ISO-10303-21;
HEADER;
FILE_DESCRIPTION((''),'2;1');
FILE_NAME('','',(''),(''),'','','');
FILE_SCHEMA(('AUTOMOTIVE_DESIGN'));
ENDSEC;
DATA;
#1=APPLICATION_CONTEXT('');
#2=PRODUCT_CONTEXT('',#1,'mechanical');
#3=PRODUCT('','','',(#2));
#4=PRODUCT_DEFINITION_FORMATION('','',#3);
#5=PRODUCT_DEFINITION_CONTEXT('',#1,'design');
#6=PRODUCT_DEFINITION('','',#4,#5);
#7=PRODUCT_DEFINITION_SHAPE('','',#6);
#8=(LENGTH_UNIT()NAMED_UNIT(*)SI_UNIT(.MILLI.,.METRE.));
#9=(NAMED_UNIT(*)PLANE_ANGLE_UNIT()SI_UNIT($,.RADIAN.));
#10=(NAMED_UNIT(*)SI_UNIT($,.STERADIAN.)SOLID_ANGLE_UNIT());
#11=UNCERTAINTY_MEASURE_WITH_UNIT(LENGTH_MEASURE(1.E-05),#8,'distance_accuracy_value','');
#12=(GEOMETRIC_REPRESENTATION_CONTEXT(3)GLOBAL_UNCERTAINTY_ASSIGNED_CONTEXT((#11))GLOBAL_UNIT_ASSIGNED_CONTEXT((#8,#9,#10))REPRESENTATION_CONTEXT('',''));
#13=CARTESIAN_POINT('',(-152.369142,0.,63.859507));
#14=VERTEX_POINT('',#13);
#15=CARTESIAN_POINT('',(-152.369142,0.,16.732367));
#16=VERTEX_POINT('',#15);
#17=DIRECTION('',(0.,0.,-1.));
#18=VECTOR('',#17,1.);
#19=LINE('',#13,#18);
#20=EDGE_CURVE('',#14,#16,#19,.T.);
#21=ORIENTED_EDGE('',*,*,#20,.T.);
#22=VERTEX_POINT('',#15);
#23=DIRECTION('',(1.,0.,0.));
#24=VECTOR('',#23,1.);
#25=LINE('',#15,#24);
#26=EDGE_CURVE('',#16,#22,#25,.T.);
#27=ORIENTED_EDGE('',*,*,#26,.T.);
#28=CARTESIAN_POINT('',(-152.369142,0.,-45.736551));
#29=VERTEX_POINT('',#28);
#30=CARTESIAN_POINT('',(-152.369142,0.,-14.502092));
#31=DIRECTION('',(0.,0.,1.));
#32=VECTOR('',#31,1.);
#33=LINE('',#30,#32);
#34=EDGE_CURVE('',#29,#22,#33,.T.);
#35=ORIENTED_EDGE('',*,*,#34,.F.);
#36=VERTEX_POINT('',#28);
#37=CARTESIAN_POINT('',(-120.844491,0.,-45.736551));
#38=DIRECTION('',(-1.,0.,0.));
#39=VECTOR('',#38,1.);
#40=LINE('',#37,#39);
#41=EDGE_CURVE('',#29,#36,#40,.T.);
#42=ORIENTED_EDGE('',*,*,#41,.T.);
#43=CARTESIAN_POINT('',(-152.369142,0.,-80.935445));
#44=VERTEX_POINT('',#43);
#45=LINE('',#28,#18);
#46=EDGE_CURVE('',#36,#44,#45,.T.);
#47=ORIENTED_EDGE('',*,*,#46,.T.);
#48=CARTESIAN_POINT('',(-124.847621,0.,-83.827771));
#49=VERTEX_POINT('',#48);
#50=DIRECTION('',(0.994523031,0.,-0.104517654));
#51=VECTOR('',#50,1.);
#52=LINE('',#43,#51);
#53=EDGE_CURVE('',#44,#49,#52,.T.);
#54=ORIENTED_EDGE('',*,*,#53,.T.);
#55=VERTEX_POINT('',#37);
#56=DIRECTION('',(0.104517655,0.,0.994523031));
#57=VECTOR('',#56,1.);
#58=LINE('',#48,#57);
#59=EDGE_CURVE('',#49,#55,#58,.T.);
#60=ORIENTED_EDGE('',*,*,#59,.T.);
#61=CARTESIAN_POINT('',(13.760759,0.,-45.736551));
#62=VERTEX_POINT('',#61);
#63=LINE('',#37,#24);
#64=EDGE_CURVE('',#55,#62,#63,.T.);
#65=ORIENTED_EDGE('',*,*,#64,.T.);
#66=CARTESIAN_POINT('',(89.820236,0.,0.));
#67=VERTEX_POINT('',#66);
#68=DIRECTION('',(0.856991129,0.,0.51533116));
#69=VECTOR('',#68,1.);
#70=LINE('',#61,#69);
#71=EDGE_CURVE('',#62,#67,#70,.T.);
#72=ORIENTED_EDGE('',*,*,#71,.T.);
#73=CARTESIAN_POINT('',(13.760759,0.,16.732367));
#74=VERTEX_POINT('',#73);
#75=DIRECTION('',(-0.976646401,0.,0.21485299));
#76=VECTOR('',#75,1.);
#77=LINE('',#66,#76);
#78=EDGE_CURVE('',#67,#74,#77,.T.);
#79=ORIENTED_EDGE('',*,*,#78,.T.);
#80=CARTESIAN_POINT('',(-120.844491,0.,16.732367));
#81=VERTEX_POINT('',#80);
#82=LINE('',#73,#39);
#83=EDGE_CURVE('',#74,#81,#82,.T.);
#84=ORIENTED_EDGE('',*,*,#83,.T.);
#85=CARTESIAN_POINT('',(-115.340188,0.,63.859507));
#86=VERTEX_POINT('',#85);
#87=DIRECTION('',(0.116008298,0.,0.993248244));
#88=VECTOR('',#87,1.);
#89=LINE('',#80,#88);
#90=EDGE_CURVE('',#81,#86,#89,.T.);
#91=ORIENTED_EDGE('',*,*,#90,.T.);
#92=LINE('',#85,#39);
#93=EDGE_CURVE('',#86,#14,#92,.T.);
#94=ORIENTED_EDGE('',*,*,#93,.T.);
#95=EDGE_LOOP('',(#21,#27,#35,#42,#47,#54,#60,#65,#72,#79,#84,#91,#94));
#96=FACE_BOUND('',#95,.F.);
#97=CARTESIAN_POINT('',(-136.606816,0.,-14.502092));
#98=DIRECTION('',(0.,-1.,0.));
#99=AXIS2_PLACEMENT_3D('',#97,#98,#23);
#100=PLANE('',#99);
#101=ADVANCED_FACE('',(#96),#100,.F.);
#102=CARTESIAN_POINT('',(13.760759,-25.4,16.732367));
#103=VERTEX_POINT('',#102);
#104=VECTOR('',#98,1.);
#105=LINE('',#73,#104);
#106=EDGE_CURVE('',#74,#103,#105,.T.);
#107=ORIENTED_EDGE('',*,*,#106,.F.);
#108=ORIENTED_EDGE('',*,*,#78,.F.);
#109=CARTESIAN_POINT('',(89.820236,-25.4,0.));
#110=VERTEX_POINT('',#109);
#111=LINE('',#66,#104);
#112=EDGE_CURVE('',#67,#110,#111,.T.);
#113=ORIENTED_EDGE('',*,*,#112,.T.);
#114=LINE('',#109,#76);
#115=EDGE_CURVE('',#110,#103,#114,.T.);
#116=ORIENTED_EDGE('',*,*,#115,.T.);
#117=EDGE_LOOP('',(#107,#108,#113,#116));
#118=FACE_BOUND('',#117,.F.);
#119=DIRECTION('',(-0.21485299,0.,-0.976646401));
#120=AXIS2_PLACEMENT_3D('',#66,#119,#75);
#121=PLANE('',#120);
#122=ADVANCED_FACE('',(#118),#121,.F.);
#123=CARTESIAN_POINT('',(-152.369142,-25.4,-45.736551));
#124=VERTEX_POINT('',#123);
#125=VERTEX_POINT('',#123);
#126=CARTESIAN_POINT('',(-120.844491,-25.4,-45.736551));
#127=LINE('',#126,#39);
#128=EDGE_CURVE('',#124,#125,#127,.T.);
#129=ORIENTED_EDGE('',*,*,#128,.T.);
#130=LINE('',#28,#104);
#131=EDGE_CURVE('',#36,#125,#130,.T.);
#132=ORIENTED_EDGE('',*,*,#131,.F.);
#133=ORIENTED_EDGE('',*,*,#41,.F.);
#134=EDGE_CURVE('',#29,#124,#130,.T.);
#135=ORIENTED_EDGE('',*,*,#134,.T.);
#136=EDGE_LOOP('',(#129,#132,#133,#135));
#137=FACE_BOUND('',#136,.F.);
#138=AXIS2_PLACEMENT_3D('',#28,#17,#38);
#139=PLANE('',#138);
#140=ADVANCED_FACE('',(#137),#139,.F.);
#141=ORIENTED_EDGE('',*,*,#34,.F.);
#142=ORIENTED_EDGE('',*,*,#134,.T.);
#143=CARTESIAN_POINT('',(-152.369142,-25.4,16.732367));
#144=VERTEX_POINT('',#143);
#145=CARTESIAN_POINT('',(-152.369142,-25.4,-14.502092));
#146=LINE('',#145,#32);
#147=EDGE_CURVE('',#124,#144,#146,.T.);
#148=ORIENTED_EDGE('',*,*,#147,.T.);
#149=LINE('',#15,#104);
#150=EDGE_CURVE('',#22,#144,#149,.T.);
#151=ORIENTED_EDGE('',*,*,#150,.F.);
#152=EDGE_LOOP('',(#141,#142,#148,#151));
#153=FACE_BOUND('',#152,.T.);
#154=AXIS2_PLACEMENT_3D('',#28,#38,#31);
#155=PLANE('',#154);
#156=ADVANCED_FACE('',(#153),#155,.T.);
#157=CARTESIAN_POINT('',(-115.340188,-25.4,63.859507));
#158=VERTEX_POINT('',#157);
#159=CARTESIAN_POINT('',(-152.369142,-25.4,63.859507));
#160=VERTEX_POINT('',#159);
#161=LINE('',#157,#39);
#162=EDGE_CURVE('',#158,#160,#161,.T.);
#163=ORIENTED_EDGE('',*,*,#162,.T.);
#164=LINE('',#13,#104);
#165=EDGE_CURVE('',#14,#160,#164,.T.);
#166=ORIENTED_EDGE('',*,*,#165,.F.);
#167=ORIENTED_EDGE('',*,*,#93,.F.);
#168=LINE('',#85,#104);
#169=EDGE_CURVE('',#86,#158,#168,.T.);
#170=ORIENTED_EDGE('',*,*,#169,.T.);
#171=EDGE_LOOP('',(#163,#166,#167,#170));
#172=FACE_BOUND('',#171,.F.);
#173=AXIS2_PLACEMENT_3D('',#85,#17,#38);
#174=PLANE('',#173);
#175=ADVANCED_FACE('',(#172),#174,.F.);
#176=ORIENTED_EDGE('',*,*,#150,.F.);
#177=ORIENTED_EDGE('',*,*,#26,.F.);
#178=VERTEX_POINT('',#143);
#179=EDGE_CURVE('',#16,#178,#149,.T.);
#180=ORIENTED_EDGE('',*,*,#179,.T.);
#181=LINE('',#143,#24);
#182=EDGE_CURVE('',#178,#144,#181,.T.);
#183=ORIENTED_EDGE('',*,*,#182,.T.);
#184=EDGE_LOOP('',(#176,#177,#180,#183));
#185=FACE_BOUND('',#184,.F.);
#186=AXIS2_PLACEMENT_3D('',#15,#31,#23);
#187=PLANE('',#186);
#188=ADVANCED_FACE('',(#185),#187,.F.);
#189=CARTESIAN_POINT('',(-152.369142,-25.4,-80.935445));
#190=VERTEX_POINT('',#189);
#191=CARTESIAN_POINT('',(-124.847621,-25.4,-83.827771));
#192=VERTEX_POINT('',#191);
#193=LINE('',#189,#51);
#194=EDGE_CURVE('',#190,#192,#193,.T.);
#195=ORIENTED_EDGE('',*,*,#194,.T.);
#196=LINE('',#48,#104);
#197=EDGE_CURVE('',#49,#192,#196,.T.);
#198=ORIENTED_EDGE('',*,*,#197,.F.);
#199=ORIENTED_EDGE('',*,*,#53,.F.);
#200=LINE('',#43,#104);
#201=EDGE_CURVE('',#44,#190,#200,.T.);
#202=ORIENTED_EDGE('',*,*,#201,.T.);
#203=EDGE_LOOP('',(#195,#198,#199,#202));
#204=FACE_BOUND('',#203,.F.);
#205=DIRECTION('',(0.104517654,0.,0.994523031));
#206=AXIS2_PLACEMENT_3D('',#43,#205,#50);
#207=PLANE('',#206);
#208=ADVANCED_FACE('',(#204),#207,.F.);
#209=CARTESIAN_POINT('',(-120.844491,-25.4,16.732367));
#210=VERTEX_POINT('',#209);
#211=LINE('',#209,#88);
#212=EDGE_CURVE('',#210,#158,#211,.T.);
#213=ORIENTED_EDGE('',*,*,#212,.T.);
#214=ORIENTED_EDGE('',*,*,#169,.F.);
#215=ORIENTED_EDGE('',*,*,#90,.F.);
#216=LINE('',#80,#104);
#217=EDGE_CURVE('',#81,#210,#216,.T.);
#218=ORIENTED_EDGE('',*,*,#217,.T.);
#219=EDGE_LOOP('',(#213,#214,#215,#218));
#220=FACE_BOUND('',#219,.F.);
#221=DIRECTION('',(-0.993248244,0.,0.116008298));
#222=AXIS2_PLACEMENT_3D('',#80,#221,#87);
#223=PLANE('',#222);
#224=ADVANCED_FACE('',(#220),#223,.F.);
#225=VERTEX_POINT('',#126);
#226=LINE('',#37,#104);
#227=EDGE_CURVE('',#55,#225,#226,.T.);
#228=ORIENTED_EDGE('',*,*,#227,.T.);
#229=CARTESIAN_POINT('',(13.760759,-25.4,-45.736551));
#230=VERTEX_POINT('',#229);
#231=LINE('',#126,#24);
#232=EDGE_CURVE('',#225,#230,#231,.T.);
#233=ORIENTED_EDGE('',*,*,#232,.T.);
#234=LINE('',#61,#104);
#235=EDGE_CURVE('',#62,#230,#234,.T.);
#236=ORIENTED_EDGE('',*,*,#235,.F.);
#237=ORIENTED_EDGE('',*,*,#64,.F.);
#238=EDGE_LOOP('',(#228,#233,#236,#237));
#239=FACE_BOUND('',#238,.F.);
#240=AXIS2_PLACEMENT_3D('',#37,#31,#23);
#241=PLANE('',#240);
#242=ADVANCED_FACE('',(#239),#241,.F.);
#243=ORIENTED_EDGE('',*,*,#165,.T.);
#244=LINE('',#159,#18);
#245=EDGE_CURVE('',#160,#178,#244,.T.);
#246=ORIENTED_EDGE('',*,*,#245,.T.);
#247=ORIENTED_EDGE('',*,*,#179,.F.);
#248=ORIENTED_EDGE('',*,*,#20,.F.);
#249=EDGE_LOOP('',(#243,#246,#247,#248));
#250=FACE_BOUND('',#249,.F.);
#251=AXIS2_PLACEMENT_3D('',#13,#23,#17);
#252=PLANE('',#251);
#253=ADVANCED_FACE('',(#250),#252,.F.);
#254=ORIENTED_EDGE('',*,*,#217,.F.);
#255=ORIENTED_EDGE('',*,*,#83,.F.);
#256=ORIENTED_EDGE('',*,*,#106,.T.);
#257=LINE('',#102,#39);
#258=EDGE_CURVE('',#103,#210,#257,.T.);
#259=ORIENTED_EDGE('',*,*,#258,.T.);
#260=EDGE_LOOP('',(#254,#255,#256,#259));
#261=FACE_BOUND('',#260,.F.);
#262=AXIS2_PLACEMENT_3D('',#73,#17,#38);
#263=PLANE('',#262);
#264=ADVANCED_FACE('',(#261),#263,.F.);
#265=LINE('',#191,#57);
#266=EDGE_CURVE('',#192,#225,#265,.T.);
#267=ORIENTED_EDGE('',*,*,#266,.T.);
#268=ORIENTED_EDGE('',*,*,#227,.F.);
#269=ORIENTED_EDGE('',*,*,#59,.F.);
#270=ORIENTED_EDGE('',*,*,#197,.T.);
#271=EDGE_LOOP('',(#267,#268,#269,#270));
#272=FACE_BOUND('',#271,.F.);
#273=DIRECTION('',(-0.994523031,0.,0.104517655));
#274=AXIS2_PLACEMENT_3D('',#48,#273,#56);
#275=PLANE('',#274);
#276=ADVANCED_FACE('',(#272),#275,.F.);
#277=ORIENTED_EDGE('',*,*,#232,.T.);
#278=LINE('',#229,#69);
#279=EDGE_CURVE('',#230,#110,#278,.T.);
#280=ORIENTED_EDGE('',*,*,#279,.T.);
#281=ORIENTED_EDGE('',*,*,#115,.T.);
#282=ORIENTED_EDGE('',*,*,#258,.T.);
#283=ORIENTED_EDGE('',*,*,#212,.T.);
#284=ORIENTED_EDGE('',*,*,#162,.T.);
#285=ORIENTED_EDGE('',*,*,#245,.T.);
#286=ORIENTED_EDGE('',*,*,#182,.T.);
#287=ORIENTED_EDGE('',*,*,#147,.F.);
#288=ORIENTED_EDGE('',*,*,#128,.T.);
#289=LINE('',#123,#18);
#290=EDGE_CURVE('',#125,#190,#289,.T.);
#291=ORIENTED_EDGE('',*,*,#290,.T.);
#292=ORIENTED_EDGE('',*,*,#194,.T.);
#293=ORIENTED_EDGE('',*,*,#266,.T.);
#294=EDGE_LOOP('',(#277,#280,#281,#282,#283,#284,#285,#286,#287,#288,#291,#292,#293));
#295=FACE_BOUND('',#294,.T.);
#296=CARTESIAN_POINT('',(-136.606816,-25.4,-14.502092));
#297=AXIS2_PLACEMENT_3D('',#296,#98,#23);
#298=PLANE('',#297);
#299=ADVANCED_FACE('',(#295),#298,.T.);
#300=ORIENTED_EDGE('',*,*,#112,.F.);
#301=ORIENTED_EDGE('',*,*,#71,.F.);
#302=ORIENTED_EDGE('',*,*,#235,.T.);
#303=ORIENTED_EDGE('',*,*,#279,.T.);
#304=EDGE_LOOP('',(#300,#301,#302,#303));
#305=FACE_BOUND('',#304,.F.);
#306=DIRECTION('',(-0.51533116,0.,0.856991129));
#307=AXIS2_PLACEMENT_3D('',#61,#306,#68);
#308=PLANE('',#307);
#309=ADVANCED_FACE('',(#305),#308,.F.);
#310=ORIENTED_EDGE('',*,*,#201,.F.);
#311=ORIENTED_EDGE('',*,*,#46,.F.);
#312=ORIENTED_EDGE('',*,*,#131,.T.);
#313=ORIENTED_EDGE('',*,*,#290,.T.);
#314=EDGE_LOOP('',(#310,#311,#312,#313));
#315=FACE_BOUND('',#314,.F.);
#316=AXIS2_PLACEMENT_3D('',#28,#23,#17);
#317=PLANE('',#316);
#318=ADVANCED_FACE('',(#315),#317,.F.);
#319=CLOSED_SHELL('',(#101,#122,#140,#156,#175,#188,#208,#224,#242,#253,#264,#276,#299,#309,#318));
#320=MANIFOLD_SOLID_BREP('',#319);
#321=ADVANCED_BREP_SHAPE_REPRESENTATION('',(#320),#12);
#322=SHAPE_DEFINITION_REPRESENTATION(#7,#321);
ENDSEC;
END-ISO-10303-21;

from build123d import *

# Parameters (mm, degrees)
F0_W     = 31.524651
F0_H     = 62.468918
F0_W_2   = 134.60525
F1_DEPTH = 25.4


with BuildPart() as f1:
    # F0 (on Front) → F1 (new body)
    with BuildSketch(Plane.XZ):
        with Locations((-136.606816, -14.502092)):
            Rectangle(F0_W, F0_H)
        Polygon((-120.844491, -45.736551), (-152.369142, -45.736551), (-152.369142, -80.935445), (-124.847621, -83.827771), align=None)
        with Locations((-53.541866, -14.502092)):
            Rectangle(F0_W_2, F0_H)
        Polygon((-152.369142, 63.859507), (-152.369142, 16.732367), (-120.844491, 16.732367), (-115.340188, 63.859507), align=None)
        Polygon((13.760759, 16.732367), (13.760759, -45.736551), (89.820236, 0), align=None)
    extrude(amount=F1_DEPTH)


solid = f1.part
